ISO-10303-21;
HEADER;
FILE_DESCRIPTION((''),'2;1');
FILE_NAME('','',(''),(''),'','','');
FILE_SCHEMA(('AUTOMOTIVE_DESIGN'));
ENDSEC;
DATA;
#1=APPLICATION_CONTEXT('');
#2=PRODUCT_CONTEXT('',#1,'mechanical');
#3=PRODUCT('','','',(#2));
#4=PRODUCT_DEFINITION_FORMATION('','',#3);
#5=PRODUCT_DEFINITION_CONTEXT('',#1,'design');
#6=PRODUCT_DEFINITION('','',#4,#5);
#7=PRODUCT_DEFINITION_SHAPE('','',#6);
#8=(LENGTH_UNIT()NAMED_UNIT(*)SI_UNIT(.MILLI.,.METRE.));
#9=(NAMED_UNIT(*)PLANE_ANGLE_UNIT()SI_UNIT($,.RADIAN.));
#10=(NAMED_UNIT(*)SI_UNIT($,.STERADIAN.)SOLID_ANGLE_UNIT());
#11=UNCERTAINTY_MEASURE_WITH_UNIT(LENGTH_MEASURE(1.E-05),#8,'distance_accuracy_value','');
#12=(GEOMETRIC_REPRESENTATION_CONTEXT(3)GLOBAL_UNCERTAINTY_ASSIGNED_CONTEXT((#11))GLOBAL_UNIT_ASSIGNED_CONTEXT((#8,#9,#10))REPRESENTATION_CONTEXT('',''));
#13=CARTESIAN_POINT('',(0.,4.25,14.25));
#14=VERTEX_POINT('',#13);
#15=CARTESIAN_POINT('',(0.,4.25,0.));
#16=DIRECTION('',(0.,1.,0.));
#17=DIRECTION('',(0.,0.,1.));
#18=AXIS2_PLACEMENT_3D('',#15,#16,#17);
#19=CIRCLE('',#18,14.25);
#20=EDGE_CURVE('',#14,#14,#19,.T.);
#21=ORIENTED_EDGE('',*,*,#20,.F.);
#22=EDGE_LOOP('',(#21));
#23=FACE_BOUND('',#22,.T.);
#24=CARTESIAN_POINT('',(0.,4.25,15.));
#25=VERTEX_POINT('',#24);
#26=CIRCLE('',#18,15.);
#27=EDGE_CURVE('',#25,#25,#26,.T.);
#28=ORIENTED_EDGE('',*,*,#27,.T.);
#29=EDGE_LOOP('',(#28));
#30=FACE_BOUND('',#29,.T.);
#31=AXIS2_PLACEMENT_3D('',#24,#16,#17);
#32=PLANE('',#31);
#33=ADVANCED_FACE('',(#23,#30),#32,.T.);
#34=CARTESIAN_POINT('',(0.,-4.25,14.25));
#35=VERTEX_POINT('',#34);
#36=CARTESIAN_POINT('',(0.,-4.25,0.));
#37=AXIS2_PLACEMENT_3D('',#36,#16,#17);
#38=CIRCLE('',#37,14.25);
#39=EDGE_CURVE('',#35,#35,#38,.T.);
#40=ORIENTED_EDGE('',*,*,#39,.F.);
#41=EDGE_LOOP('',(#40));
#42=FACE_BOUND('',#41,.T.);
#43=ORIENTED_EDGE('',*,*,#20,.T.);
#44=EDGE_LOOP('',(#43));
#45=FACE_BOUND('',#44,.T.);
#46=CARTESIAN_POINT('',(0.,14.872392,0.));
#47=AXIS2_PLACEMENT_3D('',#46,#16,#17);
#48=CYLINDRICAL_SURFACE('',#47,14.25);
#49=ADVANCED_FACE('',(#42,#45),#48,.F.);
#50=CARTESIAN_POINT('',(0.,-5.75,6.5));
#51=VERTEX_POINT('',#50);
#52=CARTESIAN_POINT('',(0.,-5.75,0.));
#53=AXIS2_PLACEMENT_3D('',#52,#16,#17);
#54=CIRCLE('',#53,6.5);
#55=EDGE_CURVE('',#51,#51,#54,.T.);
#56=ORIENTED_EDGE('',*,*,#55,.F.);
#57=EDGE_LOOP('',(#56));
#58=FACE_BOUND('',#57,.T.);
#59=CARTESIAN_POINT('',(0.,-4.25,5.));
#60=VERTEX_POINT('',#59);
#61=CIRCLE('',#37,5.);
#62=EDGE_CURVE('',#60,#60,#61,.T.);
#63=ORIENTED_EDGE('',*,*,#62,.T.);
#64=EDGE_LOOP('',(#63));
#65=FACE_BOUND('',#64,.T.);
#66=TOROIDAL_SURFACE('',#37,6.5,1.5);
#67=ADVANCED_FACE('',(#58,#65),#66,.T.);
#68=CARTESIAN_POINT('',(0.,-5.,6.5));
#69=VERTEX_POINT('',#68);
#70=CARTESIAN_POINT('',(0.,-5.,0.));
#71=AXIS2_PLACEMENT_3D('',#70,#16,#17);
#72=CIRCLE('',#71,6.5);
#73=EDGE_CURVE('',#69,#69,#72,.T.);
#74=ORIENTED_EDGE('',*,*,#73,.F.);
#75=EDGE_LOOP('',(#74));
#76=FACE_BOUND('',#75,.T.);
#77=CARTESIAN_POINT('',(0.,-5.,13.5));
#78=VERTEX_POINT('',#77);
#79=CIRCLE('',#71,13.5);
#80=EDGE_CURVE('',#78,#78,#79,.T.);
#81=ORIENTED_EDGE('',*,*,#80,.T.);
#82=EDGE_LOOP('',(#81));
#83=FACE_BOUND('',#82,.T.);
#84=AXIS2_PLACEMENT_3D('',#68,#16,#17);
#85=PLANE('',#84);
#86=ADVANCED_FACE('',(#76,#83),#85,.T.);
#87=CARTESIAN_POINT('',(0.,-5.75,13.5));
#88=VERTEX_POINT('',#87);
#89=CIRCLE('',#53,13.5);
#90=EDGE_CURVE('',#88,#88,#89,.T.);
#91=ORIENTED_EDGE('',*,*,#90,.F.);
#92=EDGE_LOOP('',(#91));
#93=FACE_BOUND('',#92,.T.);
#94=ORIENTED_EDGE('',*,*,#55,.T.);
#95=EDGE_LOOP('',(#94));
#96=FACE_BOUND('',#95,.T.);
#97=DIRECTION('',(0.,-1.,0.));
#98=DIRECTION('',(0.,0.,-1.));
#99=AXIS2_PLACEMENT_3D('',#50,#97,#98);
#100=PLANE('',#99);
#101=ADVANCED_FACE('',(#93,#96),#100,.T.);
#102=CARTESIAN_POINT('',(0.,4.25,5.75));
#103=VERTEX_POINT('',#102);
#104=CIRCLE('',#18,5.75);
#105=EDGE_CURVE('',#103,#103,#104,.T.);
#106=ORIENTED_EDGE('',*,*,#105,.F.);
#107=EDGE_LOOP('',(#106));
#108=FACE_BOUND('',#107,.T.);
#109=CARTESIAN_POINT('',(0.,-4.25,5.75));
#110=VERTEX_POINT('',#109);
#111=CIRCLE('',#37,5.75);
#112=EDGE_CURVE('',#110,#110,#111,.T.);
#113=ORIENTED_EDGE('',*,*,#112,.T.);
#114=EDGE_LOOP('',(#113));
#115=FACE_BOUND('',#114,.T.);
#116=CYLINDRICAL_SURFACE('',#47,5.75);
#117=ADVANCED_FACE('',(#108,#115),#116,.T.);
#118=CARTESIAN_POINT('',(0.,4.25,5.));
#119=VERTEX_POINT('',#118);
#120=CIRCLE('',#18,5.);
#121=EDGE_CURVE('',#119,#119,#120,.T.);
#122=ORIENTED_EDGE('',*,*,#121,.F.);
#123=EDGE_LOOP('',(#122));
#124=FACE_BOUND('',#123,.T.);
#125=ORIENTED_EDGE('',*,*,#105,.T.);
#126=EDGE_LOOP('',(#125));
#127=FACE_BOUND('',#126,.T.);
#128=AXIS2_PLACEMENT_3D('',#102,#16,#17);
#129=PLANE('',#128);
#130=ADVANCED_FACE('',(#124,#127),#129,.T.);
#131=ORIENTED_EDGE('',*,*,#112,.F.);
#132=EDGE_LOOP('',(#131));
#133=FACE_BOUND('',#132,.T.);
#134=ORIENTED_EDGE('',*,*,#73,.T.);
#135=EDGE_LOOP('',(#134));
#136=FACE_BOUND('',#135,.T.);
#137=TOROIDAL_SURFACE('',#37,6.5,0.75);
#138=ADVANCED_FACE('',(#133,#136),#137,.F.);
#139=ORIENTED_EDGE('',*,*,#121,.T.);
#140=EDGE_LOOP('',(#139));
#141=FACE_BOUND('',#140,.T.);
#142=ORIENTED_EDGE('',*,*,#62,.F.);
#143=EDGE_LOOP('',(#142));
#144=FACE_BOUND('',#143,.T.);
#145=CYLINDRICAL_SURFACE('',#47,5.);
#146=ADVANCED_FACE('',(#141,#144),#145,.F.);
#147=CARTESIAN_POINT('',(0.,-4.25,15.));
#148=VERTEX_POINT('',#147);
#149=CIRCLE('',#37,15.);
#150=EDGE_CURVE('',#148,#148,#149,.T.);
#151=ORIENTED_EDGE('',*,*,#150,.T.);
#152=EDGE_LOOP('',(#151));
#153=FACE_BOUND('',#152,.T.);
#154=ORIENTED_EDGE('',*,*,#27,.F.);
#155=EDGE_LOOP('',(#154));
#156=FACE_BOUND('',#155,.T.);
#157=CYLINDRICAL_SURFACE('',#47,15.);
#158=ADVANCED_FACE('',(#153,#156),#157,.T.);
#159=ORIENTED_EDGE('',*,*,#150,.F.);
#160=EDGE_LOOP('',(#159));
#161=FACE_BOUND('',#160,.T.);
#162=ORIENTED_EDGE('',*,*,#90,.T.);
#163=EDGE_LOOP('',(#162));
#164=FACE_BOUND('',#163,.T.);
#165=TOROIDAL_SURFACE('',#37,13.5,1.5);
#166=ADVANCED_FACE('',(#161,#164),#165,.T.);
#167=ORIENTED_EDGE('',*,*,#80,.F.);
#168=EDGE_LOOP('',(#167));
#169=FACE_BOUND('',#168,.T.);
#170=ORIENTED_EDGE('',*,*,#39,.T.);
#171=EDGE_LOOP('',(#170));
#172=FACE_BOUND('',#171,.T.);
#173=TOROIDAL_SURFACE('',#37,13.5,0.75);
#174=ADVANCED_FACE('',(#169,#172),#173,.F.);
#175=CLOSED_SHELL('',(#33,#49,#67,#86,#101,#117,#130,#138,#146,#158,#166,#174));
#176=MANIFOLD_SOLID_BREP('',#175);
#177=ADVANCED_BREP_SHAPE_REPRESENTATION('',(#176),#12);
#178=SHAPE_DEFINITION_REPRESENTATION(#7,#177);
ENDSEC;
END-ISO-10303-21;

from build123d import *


with BuildPart() as part:
    # Sketch2 → Revolve1 (revolve)
    with BuildSketch(Plane(origin=(0, 0, 0), x_dir=(0, 0, -1), z_dir=(1, 0, 0))):
        with BuildLine():
            Line((-5, 4.25), (-5, -4.25))
            ThreePointArc((-5, -4.25), (-5.439339828, -5.310660172), (-6.5, -5.75))
            Line((-6.5, -5.75), (-13.5, -5.75))
            ThreePointArc((-13.5, -5.75), (-14.560660172, -5.310660172), (-15, -4.25))
            Line((-15, -4.25), (-15, 4.25))
            Line((-15, 4.25), (-14.25, 4.25))
            Line((-14.25, 4.25), (-14.25, -4.25))
            ThreePointArc((-14.25, -4.25), (-14.030330086, -4.780330086), (-13.5, -5))
            Line((-13.5, -5), (-6.5, -5))
            ThreePointArc((-6.5, -5), (-5.969669914, -4.780330086), (-5.75, -4.25))
            Line((-5.75, -4.25), (-5.75, 4.25))
            Line((-5.75, 4.25), (-5, 4.25))
        make_face()
    revolve(axis=Axis((0, 14.872392435, 0), (0, -1, 0)))


solid = part.part
